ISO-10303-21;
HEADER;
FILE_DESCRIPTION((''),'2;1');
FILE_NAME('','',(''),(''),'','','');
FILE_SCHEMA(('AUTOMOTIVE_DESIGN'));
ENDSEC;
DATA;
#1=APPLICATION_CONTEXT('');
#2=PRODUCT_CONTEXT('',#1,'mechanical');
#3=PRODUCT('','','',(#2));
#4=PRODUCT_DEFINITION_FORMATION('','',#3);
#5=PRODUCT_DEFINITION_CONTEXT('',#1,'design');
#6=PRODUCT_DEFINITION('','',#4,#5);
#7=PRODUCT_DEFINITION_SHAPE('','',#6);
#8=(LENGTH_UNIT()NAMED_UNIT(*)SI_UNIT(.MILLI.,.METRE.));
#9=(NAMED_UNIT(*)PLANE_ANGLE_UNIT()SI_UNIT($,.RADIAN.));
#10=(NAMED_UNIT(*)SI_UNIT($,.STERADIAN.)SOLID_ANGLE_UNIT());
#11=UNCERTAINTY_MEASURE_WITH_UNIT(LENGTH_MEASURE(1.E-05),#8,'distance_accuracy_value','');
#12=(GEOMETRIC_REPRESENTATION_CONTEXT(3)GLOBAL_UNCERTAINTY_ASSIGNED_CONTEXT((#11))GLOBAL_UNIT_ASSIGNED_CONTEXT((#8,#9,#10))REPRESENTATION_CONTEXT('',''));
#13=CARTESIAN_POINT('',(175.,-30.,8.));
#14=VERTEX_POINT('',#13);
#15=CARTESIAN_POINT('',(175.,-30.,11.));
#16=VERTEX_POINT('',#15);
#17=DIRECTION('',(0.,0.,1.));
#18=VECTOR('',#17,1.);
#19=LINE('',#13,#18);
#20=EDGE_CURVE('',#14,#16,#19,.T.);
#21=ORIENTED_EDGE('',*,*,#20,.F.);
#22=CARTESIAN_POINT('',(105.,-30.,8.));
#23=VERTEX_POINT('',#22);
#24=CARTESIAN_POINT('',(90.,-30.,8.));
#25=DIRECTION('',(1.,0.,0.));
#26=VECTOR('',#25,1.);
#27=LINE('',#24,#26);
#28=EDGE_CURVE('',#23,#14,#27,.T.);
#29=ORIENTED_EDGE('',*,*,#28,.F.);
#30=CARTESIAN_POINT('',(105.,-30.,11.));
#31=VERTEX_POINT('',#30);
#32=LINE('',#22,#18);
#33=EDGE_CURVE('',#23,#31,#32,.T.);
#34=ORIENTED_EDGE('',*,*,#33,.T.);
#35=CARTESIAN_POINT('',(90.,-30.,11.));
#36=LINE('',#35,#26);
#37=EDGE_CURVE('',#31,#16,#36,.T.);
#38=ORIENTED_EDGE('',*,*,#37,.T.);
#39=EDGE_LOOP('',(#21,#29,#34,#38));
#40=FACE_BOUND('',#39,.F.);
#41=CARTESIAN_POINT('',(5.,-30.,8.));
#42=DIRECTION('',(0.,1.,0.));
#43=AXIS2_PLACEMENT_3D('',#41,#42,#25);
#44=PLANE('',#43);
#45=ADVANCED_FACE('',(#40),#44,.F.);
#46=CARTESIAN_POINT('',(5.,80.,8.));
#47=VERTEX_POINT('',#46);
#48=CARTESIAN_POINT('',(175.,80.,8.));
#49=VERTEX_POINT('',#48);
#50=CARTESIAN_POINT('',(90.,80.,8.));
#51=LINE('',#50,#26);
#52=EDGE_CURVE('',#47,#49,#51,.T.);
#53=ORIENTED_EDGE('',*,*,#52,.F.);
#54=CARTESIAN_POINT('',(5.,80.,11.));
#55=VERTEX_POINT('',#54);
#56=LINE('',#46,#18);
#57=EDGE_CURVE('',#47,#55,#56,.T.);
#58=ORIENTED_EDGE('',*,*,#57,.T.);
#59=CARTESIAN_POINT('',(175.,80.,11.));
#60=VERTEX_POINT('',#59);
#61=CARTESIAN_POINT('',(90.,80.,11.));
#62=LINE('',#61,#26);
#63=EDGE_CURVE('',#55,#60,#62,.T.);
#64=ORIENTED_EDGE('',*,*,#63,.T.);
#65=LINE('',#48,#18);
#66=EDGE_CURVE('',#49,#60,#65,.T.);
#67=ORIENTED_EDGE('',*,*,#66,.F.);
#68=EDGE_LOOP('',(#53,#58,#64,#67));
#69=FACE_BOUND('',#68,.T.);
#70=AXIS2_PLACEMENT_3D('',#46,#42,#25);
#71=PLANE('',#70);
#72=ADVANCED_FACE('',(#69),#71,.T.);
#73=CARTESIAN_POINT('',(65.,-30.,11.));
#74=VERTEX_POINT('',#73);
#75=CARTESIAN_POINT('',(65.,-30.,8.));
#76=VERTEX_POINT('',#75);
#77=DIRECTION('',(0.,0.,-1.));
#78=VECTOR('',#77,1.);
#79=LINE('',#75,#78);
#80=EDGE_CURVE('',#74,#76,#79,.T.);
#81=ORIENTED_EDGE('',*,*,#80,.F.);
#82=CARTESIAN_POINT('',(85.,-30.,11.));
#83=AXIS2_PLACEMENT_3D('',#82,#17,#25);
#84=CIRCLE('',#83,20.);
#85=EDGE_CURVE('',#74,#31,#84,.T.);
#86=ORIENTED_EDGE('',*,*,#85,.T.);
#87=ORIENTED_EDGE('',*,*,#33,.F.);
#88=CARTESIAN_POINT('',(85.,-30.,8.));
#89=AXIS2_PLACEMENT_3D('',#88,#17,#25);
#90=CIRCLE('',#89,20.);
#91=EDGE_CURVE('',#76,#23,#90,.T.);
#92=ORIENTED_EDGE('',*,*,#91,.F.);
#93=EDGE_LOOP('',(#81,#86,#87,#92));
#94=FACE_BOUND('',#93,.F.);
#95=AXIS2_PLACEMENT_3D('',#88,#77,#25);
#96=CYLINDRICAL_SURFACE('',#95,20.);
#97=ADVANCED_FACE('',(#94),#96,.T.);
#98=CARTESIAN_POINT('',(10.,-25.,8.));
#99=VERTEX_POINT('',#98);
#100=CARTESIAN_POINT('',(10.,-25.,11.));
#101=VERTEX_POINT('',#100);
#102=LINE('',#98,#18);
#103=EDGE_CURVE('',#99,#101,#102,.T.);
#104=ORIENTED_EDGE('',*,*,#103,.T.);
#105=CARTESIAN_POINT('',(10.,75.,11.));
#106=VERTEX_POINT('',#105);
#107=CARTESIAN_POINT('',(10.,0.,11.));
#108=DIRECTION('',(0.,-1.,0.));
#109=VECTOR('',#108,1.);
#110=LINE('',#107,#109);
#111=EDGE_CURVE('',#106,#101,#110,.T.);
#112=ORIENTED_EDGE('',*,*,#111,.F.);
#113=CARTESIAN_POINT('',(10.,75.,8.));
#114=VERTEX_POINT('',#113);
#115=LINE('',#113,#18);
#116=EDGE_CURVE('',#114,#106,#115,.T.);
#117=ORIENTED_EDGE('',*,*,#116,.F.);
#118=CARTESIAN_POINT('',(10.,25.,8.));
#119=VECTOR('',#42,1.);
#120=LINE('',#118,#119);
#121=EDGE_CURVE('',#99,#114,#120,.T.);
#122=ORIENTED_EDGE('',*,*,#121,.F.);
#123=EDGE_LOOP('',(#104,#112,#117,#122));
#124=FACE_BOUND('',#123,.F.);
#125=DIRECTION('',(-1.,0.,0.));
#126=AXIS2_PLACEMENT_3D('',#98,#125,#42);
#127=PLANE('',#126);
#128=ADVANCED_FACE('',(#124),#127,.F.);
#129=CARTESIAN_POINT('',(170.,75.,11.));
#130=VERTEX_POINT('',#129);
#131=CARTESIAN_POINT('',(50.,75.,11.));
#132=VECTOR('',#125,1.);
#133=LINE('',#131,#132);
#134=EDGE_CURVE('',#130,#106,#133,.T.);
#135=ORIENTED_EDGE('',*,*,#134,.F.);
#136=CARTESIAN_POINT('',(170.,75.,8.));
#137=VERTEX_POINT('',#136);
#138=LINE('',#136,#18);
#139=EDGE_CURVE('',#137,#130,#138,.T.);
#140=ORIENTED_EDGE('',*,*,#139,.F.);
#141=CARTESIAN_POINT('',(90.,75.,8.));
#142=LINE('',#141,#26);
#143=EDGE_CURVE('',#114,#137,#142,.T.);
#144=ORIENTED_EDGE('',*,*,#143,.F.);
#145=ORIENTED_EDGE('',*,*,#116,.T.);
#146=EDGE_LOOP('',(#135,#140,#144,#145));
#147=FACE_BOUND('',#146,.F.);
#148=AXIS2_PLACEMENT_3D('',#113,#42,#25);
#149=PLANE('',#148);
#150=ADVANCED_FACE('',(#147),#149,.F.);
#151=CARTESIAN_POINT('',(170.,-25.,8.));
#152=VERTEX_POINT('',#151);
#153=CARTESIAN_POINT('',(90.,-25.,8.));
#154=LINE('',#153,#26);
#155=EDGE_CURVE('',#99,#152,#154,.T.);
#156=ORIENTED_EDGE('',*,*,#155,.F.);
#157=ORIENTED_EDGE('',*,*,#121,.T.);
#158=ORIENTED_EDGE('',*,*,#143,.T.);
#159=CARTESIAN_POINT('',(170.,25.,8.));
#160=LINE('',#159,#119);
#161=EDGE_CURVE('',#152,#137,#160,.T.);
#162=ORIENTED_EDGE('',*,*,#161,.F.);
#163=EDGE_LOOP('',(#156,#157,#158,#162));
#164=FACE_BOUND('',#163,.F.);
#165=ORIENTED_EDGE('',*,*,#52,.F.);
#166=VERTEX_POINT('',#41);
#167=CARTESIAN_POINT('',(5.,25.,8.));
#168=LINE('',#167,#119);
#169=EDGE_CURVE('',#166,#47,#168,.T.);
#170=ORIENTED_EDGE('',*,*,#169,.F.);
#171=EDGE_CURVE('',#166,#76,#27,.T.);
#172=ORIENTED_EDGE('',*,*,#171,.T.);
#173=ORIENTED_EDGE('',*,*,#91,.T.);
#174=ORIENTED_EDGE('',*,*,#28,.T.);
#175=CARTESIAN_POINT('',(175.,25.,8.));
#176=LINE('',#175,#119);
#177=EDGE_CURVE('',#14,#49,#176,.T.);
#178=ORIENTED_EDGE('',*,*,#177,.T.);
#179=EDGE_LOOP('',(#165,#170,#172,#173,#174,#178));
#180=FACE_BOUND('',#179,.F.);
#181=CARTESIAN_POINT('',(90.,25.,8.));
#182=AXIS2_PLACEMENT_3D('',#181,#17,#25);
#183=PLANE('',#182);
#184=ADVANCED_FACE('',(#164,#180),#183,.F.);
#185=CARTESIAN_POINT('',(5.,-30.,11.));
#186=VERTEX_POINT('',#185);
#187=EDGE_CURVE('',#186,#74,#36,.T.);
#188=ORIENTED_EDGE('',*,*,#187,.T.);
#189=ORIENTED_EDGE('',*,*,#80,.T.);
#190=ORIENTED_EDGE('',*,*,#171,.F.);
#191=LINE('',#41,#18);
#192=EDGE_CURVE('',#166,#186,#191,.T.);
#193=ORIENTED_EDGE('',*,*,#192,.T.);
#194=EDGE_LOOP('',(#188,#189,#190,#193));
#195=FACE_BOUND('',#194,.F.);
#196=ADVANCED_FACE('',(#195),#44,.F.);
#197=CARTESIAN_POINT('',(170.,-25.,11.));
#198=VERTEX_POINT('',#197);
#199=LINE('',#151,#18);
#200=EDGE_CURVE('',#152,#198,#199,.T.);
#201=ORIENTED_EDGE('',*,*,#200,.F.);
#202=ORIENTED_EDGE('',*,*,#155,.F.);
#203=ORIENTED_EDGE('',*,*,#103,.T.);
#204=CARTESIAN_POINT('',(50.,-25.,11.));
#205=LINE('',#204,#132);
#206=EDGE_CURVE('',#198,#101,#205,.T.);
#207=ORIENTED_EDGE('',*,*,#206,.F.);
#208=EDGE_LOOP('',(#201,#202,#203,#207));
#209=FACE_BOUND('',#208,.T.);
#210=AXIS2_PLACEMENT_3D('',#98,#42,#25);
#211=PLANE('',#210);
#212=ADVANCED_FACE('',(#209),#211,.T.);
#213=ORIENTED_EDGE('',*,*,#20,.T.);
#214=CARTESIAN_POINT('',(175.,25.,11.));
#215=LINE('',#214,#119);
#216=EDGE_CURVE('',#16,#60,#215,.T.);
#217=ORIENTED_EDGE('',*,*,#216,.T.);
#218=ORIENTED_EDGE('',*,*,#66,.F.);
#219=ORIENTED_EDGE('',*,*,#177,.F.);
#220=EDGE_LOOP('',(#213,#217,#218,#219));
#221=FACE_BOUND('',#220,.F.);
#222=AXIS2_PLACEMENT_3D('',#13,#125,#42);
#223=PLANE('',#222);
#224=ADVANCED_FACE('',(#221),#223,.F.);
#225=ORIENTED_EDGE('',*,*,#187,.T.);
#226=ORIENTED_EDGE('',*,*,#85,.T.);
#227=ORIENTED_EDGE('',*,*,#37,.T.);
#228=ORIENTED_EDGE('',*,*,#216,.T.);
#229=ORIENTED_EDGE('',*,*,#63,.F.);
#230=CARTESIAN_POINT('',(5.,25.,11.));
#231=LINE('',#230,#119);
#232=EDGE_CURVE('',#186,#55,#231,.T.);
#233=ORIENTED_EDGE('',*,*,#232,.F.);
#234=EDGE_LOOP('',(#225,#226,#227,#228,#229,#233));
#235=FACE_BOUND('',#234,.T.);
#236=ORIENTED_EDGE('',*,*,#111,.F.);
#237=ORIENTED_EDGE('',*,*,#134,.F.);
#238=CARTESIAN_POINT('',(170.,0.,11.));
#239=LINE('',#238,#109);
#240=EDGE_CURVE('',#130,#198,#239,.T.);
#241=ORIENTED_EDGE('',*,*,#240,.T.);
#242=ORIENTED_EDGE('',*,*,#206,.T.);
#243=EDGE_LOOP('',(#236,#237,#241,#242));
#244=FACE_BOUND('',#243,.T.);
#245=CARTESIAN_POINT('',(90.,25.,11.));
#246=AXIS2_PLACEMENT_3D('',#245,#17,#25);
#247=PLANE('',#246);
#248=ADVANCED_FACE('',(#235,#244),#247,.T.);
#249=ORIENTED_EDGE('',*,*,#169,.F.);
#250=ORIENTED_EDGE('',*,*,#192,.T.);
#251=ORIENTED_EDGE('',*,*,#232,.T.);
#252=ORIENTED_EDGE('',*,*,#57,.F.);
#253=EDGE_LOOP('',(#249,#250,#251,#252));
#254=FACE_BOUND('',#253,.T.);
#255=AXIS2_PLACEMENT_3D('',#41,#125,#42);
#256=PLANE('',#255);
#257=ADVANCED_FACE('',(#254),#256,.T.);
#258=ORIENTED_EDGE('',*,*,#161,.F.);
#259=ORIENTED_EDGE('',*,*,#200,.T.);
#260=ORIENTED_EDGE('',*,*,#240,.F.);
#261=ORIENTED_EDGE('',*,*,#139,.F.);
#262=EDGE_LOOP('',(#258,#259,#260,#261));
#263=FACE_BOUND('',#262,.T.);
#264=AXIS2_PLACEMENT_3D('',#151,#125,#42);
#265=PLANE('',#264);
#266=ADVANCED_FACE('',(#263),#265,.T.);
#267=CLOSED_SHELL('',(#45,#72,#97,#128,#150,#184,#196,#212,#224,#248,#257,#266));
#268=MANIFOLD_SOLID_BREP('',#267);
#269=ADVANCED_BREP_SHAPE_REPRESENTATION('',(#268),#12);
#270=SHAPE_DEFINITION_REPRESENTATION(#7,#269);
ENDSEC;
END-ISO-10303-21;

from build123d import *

# Parameters (mm, degrees)
BOX004_W          = 160
BOX004_H          = 100
BOX004_DEPTH      = 5
CYLINDER001_R     = 20
CYLINDER001_DEPTH = 3
BOX003_W          = 170
BOX003_H          = 110
BOX003_DEPTH      = 3


with BuildPart() as box004:
    # Box004 → Box004 (new body)
    with BuildSketch(Plane(origin=(5, 5, 3), x_dir=(1, 0, 0), z_dir=(0, 0, 1))):
        with Locations((80, 50)):
            Rectangle(BOX004_W, BOX004_H)
    extrude(amount=BOX004_DEPTH)


with BuildPart() as cilindro001:
    # Cylinder001 → Cylinder001 (new body)
    with BuildSketch(Plane(origin=(80, 0, 0), x_dir=(1, 0, 0), z_dir=(0, 0, 1))):
        Circle(CYLINDER001_R)
    extrude(amount=CYLINDER001_DEPTH)


with BuildPart() as metacrilato2:
    # Box003 → Box003 (new body)
    with BuildSketch(Plane.XY):
        with Locations((85, 55)):
            Rectangle(BOX003_W, BOX003_H)
    extrude(amount=BOX003_DEPTH)

    # Fusion001: union Cilindro001
    add(cilindro001.part)


with BuildPart() as metacrilato2_1:
    # Fusion001 placement: moved
    add(metacrilato2.part.moved(Location((0, 0, 3))))

    # Cut004: cut Box004
    add(box004.part, mode=Mode.SUBTRACT)


with BuildPart() as metacrilato2_2:
    # Cut004 placement: moved
    add(metacrilato2_1.part.moved(Location((5, -30, 5))))


solid = metacrilato2_2.part
